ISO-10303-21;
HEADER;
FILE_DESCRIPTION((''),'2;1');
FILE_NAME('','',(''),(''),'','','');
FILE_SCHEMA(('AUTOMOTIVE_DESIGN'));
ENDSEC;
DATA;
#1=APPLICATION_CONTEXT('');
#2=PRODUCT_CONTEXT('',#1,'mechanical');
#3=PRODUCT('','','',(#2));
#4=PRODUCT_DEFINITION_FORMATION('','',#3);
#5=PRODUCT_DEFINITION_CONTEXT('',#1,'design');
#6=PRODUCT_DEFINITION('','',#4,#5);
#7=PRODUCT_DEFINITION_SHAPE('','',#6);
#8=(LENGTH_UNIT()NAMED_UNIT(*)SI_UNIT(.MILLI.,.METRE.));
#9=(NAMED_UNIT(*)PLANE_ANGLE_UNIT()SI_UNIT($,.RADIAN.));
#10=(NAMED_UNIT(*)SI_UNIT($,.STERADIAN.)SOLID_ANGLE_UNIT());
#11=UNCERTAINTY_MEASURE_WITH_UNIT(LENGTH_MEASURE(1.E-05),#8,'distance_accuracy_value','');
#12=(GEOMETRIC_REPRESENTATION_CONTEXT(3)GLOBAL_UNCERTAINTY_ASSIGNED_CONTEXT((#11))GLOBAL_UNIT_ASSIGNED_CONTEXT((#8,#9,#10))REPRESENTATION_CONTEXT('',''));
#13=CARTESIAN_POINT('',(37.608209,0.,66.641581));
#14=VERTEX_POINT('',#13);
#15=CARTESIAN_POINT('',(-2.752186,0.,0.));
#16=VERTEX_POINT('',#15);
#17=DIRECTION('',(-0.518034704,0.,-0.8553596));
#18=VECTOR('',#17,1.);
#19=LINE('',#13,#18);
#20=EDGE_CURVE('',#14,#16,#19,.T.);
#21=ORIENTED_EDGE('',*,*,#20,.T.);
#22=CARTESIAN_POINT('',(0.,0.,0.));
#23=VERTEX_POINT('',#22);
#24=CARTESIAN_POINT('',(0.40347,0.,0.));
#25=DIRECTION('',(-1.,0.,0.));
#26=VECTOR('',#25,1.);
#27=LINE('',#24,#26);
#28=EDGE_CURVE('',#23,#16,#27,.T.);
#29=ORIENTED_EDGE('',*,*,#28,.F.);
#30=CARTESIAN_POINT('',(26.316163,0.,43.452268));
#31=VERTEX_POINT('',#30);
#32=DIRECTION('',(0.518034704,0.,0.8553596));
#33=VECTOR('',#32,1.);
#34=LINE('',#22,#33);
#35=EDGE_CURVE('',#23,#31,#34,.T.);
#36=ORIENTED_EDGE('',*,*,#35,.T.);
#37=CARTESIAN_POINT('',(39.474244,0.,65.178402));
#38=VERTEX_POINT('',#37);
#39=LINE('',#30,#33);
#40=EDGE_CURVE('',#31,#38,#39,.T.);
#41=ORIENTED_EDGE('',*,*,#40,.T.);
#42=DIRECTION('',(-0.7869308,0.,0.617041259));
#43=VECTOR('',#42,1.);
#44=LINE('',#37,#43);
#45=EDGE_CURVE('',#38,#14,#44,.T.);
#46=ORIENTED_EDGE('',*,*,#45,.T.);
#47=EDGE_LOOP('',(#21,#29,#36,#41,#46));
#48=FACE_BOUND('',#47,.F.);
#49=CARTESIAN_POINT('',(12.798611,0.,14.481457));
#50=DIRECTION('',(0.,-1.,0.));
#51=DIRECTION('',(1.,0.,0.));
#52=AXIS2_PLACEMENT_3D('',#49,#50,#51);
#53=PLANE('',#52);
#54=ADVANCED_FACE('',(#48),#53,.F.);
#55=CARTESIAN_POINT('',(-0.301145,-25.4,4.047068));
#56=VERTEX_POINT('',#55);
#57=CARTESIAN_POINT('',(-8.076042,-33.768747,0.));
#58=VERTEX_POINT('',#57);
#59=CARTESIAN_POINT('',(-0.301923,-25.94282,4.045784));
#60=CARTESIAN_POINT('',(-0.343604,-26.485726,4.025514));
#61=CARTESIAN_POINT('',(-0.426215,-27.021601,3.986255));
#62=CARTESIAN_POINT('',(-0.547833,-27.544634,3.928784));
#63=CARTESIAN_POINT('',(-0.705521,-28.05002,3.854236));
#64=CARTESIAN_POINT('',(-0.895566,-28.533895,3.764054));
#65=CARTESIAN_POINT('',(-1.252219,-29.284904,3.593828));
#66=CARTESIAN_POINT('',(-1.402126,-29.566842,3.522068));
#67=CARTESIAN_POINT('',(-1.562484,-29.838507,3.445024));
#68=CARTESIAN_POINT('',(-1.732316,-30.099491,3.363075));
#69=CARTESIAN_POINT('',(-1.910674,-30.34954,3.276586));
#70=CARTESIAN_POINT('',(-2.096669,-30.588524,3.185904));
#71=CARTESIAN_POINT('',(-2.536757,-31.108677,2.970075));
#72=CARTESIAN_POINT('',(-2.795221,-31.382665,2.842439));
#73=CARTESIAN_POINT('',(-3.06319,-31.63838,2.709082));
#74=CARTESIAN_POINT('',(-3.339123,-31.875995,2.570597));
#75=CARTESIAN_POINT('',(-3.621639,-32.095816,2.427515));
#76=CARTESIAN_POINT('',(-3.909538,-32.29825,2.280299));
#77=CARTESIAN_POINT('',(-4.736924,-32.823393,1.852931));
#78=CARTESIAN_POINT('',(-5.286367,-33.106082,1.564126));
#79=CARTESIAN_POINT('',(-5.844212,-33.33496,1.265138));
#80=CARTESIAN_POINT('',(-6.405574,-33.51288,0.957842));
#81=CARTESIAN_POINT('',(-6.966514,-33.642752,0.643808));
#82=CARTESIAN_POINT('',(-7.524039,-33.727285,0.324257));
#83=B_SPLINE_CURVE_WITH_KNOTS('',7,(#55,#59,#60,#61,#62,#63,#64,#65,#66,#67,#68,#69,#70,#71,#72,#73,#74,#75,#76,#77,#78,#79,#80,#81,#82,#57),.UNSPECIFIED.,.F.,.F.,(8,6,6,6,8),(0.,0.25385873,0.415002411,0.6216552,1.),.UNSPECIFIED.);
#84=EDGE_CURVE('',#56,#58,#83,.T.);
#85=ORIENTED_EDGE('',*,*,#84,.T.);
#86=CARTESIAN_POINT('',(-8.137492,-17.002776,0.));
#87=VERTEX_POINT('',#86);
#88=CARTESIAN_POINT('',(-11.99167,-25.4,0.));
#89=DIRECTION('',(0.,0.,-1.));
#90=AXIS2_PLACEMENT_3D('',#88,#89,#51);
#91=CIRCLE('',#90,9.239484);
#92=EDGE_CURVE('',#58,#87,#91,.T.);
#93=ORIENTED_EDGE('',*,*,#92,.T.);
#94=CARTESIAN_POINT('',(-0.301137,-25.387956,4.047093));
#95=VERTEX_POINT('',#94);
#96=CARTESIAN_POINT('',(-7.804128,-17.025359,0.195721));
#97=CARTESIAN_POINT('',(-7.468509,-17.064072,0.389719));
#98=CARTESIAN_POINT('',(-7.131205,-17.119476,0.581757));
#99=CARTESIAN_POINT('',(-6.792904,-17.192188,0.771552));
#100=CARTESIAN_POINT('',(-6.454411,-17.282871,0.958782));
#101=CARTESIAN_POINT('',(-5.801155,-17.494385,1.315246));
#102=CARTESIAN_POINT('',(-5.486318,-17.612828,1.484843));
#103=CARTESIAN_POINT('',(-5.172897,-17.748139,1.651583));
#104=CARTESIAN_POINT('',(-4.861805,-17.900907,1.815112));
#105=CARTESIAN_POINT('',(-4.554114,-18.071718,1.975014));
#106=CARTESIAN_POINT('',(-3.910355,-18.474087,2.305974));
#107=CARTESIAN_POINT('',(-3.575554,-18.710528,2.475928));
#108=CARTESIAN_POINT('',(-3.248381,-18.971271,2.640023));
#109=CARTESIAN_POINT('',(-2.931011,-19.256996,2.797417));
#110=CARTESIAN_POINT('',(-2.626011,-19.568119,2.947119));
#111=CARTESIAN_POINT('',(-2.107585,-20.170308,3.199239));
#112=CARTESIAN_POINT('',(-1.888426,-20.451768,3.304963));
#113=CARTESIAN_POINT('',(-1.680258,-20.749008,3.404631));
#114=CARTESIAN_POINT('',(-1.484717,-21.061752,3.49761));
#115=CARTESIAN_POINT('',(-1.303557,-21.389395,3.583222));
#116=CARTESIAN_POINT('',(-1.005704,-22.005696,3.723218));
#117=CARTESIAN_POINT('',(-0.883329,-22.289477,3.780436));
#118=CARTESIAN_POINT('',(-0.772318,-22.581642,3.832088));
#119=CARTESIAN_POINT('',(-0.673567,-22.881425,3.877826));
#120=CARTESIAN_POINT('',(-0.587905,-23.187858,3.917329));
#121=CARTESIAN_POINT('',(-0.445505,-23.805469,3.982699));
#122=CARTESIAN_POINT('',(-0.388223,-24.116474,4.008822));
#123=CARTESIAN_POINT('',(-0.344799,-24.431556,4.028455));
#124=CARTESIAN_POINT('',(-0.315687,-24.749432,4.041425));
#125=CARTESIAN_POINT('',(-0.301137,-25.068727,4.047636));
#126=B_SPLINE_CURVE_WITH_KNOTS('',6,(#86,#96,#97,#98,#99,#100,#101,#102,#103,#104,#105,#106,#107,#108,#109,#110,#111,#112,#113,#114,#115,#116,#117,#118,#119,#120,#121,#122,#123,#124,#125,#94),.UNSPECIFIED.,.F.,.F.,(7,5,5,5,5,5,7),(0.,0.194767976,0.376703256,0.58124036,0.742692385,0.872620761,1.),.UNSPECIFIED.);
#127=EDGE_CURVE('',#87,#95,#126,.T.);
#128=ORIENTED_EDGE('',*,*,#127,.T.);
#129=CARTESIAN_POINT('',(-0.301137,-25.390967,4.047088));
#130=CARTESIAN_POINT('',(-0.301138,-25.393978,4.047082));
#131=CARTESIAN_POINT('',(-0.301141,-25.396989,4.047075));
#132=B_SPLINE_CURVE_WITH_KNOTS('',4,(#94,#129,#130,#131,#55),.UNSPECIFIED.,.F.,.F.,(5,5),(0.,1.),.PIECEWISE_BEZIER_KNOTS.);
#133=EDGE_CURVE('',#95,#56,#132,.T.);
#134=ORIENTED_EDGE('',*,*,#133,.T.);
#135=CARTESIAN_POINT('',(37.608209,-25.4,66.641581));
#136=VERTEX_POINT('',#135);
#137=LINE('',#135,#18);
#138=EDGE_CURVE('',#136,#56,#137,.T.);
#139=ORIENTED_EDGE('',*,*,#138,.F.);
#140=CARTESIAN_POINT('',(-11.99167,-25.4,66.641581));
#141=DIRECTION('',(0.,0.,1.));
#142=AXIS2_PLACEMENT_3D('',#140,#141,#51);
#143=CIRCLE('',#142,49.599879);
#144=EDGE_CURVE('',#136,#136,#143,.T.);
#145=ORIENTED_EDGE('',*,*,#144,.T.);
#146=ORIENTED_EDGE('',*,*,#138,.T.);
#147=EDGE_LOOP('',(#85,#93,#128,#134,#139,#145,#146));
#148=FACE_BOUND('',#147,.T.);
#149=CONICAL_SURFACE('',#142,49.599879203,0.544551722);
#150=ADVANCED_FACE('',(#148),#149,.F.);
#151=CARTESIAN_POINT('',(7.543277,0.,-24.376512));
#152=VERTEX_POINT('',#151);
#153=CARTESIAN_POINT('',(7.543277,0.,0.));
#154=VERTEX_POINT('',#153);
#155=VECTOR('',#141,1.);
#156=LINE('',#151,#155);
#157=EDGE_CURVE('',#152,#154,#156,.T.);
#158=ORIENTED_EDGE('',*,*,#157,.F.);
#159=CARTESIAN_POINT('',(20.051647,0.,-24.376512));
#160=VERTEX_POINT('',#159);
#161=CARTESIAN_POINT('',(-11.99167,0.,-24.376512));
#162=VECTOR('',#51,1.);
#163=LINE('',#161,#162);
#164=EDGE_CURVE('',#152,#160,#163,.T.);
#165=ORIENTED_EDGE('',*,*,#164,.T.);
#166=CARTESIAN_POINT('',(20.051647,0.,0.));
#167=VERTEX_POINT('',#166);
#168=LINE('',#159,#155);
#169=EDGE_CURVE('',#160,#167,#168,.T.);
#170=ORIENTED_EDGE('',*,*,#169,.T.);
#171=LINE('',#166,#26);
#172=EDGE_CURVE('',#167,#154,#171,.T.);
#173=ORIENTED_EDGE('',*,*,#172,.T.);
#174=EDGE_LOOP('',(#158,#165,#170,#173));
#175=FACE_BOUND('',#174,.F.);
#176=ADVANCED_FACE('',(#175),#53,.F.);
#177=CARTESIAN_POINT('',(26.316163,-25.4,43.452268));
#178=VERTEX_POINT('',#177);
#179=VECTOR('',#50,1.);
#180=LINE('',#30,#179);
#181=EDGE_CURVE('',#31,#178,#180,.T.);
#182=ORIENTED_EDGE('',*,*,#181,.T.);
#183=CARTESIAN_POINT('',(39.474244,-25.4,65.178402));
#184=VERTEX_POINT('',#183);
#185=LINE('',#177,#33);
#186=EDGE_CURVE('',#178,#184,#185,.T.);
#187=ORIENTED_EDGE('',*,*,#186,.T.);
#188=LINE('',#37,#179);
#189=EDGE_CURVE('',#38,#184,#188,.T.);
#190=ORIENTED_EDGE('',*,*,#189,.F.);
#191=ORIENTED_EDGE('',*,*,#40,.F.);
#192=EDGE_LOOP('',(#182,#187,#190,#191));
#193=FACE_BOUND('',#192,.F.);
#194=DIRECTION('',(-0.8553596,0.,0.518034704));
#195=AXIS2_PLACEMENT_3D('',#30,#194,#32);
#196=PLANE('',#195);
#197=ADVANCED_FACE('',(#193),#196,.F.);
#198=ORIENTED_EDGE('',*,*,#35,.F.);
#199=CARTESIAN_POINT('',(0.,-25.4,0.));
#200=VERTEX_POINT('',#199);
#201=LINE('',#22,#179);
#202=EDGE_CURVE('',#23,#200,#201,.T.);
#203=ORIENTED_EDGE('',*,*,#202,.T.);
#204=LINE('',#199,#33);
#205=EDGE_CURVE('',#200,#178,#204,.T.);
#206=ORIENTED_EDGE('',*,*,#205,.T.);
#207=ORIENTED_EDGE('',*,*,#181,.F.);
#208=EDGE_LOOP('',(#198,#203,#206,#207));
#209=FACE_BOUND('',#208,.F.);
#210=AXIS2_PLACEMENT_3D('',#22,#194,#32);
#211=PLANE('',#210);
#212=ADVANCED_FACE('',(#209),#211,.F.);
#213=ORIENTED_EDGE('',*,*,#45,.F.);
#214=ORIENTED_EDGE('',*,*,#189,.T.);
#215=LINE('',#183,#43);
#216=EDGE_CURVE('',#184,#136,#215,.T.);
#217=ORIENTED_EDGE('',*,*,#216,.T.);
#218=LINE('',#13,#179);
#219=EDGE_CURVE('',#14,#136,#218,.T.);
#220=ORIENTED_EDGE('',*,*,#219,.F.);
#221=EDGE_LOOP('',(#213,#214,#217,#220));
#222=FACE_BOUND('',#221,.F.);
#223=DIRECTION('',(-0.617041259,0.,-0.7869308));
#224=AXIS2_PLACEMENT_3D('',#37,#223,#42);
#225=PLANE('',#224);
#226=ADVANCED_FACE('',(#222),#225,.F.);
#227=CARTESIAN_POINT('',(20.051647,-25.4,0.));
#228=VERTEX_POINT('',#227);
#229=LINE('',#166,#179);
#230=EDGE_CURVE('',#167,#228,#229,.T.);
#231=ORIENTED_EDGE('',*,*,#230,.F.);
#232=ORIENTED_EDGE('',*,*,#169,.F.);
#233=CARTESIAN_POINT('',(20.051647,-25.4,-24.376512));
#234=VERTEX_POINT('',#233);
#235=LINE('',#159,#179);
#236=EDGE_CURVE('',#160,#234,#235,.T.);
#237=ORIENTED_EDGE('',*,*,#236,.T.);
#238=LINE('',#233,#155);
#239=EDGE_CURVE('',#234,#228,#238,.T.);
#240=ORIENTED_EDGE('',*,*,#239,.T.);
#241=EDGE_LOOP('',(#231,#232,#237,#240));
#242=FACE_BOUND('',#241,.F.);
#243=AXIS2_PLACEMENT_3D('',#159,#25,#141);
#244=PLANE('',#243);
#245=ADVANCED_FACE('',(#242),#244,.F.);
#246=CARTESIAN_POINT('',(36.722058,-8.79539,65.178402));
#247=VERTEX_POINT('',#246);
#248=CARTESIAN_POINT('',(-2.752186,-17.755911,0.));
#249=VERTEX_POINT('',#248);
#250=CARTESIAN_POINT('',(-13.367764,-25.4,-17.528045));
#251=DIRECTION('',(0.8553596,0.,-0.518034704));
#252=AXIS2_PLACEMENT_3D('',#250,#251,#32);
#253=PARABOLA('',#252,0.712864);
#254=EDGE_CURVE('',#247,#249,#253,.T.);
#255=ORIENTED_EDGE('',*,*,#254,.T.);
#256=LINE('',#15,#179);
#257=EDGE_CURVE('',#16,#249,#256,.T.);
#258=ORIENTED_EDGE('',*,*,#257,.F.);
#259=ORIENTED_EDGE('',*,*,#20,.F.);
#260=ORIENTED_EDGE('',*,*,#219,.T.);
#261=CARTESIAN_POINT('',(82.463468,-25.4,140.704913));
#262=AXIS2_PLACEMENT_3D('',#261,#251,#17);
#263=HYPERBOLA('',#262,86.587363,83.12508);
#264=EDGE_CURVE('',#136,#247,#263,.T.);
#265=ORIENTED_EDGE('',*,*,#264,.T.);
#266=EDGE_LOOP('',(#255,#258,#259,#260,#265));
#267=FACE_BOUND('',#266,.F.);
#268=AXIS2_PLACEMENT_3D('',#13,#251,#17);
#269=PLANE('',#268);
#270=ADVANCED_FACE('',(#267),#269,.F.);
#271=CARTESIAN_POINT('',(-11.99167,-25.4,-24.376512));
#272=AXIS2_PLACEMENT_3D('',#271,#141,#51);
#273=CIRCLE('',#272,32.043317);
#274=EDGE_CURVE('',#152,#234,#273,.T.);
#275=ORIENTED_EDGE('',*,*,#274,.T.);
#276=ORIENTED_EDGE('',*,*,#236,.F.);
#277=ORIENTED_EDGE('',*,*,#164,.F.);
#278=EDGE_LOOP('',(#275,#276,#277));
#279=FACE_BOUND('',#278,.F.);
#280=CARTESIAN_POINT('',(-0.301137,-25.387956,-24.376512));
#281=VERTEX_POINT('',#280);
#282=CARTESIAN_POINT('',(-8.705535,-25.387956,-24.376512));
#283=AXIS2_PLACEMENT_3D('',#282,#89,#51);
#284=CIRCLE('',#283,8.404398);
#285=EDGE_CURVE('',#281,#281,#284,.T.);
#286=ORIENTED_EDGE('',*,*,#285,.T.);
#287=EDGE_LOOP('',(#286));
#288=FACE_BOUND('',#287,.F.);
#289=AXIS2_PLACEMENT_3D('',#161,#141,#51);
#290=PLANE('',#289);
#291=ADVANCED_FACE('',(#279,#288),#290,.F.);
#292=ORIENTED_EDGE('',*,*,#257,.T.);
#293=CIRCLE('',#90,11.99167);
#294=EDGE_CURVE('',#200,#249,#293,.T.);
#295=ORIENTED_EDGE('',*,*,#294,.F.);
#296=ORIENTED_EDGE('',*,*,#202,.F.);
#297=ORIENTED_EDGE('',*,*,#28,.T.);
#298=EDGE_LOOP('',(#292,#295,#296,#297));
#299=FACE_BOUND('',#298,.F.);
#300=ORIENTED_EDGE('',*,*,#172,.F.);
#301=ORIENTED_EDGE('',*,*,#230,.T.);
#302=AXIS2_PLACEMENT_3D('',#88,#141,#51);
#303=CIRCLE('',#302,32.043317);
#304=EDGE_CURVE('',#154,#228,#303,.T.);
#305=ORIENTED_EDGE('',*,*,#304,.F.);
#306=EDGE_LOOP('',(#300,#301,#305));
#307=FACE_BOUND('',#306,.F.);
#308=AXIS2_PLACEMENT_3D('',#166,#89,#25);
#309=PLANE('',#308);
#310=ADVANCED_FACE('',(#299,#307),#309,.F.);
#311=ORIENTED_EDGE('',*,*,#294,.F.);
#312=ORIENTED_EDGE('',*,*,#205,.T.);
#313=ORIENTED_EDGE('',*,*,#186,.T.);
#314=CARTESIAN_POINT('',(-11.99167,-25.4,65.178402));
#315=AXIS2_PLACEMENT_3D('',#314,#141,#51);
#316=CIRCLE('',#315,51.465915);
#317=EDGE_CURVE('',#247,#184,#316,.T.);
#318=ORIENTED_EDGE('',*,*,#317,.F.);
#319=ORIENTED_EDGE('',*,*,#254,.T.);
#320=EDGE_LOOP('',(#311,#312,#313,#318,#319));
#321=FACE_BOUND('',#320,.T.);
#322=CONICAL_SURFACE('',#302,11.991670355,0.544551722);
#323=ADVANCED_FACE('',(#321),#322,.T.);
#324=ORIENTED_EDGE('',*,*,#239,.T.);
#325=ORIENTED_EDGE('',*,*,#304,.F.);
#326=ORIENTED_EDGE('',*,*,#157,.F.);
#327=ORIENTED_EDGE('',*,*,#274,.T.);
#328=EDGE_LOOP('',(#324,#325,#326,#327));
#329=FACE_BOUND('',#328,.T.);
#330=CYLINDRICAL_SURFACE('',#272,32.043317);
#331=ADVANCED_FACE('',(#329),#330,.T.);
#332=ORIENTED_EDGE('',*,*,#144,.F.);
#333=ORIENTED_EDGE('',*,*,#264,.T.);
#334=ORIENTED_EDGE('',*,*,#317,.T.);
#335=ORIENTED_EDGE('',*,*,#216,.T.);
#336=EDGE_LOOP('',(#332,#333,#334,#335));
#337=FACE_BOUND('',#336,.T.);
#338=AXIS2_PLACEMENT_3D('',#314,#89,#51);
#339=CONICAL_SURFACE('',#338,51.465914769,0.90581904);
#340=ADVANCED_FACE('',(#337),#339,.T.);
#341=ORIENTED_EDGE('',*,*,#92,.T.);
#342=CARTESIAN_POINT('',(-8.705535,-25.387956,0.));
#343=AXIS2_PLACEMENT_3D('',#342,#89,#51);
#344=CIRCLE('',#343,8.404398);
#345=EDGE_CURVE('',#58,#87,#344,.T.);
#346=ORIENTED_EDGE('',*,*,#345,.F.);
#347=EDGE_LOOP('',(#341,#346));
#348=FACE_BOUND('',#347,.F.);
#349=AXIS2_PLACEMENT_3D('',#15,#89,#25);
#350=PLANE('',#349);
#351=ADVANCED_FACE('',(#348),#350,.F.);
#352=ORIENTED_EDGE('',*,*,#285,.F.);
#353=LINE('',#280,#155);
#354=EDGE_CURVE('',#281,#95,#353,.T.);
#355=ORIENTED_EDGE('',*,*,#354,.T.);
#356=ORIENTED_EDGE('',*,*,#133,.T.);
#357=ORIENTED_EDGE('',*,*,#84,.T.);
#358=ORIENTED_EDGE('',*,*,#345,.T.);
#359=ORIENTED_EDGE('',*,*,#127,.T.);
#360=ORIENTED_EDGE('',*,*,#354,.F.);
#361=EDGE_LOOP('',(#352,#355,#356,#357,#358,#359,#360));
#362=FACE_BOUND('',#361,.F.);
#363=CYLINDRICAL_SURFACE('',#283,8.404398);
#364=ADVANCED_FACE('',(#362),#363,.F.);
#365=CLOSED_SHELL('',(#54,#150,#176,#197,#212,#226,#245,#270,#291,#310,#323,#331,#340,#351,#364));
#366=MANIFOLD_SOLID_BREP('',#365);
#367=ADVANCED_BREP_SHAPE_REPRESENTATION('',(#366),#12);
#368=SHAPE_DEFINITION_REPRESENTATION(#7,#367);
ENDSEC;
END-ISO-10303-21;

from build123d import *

# Parameters (mm, degrees)
F1_DEPTH = 25.4
F3_R     = 8.4043984654
F4_DEPTH = 50.8


with BuildPart() as f1:
    # F0 (on Front) → F1 (new body)
    with BuildSketch(Plane.XZ):
        Polygon((20.0516469777, 0), (0, 0), (26.3161629428, 43.4522676965), (39.4742444142, 65.1784015448), (37.6082088482, 66.6415809447), (-2.7521864977, 0), (-11.9916703552, 0), (-11.9916703552, -24.3765115738), (20.0516469777, -24.3765115738), align=None)
    extrude(amount=F1_DEPTH)

    # F1_face (on face) → F2 (revolve)
    with BuildSketch(Plane(origin=(6.7718176649, -25.4, -3.6801313591), x_dir=(1, 0, 0), z_dir=(0, -1, 0))):
        Polygon((13.2798293128, 3.6801313591), (-6.7718176649, 3.6801313591), (32.7024267493, 68.8585329039), (30.8363911833, 70.3217123039), (-9.5240041626, 3.6801313591), (-18.7634880201, 3.6801313591), (-18.7634880201, -20.6963802146), (13.2798293128, -20.6963802146), align=None)
    revolve(axis=Axis((-11.9916703552, -25.4, -12.1882557869), (0, 0, 1)))

    # F3 (on face) → F4 (cut)
    with BuildSketch(Plane(origin=(0, 0, -24.3765115738), x_dir=(1, 0, 0), z_dir=(0, 0, -1))):
        with Locations((-8.7055349723, 25.3879558295)):
            Circle(F3_R)
    extrude(amount=-F4_DEPTH, mode=Mode.SUBTRACT)


solid = f1.part
